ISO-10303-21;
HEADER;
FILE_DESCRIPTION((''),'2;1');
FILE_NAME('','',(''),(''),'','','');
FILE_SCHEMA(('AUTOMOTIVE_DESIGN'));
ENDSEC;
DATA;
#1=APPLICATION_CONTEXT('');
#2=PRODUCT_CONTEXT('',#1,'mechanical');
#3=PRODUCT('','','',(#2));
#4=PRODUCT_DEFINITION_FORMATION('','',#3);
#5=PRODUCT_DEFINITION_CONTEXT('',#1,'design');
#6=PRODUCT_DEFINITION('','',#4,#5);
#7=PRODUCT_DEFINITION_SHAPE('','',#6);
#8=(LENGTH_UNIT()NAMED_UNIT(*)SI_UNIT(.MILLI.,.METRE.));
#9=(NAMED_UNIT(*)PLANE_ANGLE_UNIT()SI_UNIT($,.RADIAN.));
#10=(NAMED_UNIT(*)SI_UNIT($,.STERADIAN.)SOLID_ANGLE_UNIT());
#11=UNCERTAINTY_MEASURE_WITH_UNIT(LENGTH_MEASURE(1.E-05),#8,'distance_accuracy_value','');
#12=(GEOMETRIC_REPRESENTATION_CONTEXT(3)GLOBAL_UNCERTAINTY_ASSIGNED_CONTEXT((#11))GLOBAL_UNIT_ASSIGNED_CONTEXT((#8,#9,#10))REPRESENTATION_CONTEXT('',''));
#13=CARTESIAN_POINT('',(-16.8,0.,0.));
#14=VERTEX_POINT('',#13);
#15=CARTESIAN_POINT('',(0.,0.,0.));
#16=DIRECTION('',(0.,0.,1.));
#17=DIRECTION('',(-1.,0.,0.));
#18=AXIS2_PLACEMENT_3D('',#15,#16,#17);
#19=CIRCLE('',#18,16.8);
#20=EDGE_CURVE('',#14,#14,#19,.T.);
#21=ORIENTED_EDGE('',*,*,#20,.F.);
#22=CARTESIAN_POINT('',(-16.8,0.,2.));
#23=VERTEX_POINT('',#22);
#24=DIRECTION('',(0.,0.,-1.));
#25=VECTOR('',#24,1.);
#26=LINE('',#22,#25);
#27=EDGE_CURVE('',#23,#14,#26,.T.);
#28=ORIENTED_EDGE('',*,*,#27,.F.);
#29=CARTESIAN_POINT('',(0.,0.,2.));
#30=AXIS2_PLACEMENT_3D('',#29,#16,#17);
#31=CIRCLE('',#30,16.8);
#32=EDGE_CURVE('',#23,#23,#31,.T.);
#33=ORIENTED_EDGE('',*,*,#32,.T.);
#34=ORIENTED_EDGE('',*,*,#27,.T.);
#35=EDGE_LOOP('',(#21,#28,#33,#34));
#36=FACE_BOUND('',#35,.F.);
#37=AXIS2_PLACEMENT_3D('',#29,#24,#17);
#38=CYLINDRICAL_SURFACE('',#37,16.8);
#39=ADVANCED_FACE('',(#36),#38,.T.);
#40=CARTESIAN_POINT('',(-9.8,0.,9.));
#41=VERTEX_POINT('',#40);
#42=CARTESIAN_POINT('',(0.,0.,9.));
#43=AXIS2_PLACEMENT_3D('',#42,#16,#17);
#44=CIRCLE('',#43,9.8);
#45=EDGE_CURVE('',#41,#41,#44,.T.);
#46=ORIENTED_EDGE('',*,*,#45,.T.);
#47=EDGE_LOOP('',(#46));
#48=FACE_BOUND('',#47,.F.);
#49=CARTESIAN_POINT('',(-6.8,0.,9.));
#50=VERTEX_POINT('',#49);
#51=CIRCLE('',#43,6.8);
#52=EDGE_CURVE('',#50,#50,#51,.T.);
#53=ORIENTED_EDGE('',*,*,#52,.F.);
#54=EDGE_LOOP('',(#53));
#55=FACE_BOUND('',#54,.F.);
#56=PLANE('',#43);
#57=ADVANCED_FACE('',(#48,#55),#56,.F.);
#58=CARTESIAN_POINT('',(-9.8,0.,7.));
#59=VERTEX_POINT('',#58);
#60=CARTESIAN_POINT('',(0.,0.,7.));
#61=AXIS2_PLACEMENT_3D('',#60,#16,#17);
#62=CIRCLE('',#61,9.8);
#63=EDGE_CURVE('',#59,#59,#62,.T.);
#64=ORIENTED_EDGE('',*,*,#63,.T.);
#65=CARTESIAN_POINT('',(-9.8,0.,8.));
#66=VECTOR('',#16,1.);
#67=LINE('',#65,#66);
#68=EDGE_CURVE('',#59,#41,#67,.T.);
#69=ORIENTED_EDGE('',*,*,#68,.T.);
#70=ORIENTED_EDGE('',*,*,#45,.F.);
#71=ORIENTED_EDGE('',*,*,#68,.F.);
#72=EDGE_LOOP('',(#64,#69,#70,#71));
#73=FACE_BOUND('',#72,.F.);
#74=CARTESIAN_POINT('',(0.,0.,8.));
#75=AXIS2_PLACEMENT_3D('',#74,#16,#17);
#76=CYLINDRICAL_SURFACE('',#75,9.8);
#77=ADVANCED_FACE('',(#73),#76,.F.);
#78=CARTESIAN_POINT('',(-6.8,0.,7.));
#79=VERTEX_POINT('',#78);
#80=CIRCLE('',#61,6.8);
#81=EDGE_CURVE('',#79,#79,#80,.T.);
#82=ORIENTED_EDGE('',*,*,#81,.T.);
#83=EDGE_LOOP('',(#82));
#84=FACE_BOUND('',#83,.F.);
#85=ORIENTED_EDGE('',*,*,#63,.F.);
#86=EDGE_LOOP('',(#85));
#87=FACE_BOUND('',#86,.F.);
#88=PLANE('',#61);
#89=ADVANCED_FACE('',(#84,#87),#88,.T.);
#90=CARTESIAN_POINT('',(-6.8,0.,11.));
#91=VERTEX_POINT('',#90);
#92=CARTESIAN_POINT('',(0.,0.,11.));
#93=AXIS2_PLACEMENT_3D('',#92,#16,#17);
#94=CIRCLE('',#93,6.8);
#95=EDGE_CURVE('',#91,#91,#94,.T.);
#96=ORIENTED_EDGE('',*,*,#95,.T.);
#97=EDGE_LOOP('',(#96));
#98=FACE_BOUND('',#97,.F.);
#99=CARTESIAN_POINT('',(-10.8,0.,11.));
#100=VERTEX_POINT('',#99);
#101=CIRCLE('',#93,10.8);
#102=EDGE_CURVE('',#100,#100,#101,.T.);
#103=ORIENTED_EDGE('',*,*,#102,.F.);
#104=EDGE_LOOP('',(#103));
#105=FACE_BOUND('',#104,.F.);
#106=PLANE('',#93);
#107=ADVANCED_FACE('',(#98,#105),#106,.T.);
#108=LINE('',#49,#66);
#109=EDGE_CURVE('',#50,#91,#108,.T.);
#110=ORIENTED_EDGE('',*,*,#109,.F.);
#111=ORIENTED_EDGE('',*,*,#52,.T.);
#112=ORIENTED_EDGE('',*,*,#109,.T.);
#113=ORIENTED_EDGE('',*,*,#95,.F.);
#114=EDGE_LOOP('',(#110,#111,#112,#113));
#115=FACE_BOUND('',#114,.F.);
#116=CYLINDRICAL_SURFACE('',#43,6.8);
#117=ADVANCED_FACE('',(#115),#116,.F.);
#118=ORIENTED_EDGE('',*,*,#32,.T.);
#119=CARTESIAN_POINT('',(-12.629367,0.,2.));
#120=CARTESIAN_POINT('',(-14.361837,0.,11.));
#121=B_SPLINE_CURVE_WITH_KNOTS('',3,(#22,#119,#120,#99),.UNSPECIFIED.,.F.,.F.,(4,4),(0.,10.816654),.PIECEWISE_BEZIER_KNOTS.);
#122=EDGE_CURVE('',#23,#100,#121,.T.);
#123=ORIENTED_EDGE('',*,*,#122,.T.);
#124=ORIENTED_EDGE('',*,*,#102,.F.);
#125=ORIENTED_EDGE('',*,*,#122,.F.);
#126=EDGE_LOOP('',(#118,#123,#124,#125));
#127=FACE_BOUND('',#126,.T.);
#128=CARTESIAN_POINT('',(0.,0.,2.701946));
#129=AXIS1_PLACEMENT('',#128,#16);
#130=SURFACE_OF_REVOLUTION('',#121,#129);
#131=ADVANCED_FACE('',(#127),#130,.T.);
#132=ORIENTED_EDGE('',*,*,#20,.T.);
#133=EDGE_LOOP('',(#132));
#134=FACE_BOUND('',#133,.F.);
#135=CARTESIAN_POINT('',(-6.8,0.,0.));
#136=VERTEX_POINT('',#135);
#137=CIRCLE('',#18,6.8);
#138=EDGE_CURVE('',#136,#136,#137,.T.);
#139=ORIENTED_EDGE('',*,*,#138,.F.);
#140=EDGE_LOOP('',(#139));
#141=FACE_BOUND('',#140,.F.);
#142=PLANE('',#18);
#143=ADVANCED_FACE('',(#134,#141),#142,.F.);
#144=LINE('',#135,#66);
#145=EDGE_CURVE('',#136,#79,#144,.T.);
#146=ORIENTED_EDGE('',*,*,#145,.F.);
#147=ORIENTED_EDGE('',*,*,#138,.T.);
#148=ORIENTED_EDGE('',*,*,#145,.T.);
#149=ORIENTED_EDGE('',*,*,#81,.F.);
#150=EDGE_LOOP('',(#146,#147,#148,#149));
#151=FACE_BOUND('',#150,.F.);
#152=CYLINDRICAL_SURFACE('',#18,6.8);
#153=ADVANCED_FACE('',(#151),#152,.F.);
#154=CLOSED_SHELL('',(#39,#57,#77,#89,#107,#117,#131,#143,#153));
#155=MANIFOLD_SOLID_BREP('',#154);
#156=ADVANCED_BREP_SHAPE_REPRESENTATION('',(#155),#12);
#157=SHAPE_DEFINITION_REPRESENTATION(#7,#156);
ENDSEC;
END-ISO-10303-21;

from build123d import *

# Parameters (mm, degrees)
F0_W = 1
F0_H = 2


with BuildPart() as f1:
    # F0 (on Front) → F1 (revolve)
    with BuildSketch(Plane.XZ):
        Polygon((-6.8, 11), (-10.8, 11), (-10.8, 9), (-9.8, 9), (-6.8, 9), align=None)
        with Locations((-10.3, 8)):
            Rectangle(F0_W, F0_H)
        with BuildLine():
            add(Edge.make_bspline(
                [(-16.8, 2), (-12.629367, 2), (-14.361837, 11), (-10.8, 11)],
                knots=[0, 0, 0, 0, 10.816654, 10.816654, 10.816654, 10.816654], degree=3))
            Line((-16.8, 2), (-10.8, 2))
            Line((-10.8, 2), (-10.8, 7))
            Line((-10.8, 7), (-10.8, 9))
            Line((-10.8, 9), (-10.8, 11))
        make_face()
        Polygon((-10.8, 2), (-6.8, 2), (-6.8, 7), (-9.8, 7), (-10.8, 7), align=None)
        Polygon((-16.8, 0), (-6.8, 0), (-6.8, 2), (-10.8, 2), (-16.8, 2), align=None)
    revolve(axis=Axis((0, 0, 2.701946), (0, 0, 1)))


solid = f1.part
